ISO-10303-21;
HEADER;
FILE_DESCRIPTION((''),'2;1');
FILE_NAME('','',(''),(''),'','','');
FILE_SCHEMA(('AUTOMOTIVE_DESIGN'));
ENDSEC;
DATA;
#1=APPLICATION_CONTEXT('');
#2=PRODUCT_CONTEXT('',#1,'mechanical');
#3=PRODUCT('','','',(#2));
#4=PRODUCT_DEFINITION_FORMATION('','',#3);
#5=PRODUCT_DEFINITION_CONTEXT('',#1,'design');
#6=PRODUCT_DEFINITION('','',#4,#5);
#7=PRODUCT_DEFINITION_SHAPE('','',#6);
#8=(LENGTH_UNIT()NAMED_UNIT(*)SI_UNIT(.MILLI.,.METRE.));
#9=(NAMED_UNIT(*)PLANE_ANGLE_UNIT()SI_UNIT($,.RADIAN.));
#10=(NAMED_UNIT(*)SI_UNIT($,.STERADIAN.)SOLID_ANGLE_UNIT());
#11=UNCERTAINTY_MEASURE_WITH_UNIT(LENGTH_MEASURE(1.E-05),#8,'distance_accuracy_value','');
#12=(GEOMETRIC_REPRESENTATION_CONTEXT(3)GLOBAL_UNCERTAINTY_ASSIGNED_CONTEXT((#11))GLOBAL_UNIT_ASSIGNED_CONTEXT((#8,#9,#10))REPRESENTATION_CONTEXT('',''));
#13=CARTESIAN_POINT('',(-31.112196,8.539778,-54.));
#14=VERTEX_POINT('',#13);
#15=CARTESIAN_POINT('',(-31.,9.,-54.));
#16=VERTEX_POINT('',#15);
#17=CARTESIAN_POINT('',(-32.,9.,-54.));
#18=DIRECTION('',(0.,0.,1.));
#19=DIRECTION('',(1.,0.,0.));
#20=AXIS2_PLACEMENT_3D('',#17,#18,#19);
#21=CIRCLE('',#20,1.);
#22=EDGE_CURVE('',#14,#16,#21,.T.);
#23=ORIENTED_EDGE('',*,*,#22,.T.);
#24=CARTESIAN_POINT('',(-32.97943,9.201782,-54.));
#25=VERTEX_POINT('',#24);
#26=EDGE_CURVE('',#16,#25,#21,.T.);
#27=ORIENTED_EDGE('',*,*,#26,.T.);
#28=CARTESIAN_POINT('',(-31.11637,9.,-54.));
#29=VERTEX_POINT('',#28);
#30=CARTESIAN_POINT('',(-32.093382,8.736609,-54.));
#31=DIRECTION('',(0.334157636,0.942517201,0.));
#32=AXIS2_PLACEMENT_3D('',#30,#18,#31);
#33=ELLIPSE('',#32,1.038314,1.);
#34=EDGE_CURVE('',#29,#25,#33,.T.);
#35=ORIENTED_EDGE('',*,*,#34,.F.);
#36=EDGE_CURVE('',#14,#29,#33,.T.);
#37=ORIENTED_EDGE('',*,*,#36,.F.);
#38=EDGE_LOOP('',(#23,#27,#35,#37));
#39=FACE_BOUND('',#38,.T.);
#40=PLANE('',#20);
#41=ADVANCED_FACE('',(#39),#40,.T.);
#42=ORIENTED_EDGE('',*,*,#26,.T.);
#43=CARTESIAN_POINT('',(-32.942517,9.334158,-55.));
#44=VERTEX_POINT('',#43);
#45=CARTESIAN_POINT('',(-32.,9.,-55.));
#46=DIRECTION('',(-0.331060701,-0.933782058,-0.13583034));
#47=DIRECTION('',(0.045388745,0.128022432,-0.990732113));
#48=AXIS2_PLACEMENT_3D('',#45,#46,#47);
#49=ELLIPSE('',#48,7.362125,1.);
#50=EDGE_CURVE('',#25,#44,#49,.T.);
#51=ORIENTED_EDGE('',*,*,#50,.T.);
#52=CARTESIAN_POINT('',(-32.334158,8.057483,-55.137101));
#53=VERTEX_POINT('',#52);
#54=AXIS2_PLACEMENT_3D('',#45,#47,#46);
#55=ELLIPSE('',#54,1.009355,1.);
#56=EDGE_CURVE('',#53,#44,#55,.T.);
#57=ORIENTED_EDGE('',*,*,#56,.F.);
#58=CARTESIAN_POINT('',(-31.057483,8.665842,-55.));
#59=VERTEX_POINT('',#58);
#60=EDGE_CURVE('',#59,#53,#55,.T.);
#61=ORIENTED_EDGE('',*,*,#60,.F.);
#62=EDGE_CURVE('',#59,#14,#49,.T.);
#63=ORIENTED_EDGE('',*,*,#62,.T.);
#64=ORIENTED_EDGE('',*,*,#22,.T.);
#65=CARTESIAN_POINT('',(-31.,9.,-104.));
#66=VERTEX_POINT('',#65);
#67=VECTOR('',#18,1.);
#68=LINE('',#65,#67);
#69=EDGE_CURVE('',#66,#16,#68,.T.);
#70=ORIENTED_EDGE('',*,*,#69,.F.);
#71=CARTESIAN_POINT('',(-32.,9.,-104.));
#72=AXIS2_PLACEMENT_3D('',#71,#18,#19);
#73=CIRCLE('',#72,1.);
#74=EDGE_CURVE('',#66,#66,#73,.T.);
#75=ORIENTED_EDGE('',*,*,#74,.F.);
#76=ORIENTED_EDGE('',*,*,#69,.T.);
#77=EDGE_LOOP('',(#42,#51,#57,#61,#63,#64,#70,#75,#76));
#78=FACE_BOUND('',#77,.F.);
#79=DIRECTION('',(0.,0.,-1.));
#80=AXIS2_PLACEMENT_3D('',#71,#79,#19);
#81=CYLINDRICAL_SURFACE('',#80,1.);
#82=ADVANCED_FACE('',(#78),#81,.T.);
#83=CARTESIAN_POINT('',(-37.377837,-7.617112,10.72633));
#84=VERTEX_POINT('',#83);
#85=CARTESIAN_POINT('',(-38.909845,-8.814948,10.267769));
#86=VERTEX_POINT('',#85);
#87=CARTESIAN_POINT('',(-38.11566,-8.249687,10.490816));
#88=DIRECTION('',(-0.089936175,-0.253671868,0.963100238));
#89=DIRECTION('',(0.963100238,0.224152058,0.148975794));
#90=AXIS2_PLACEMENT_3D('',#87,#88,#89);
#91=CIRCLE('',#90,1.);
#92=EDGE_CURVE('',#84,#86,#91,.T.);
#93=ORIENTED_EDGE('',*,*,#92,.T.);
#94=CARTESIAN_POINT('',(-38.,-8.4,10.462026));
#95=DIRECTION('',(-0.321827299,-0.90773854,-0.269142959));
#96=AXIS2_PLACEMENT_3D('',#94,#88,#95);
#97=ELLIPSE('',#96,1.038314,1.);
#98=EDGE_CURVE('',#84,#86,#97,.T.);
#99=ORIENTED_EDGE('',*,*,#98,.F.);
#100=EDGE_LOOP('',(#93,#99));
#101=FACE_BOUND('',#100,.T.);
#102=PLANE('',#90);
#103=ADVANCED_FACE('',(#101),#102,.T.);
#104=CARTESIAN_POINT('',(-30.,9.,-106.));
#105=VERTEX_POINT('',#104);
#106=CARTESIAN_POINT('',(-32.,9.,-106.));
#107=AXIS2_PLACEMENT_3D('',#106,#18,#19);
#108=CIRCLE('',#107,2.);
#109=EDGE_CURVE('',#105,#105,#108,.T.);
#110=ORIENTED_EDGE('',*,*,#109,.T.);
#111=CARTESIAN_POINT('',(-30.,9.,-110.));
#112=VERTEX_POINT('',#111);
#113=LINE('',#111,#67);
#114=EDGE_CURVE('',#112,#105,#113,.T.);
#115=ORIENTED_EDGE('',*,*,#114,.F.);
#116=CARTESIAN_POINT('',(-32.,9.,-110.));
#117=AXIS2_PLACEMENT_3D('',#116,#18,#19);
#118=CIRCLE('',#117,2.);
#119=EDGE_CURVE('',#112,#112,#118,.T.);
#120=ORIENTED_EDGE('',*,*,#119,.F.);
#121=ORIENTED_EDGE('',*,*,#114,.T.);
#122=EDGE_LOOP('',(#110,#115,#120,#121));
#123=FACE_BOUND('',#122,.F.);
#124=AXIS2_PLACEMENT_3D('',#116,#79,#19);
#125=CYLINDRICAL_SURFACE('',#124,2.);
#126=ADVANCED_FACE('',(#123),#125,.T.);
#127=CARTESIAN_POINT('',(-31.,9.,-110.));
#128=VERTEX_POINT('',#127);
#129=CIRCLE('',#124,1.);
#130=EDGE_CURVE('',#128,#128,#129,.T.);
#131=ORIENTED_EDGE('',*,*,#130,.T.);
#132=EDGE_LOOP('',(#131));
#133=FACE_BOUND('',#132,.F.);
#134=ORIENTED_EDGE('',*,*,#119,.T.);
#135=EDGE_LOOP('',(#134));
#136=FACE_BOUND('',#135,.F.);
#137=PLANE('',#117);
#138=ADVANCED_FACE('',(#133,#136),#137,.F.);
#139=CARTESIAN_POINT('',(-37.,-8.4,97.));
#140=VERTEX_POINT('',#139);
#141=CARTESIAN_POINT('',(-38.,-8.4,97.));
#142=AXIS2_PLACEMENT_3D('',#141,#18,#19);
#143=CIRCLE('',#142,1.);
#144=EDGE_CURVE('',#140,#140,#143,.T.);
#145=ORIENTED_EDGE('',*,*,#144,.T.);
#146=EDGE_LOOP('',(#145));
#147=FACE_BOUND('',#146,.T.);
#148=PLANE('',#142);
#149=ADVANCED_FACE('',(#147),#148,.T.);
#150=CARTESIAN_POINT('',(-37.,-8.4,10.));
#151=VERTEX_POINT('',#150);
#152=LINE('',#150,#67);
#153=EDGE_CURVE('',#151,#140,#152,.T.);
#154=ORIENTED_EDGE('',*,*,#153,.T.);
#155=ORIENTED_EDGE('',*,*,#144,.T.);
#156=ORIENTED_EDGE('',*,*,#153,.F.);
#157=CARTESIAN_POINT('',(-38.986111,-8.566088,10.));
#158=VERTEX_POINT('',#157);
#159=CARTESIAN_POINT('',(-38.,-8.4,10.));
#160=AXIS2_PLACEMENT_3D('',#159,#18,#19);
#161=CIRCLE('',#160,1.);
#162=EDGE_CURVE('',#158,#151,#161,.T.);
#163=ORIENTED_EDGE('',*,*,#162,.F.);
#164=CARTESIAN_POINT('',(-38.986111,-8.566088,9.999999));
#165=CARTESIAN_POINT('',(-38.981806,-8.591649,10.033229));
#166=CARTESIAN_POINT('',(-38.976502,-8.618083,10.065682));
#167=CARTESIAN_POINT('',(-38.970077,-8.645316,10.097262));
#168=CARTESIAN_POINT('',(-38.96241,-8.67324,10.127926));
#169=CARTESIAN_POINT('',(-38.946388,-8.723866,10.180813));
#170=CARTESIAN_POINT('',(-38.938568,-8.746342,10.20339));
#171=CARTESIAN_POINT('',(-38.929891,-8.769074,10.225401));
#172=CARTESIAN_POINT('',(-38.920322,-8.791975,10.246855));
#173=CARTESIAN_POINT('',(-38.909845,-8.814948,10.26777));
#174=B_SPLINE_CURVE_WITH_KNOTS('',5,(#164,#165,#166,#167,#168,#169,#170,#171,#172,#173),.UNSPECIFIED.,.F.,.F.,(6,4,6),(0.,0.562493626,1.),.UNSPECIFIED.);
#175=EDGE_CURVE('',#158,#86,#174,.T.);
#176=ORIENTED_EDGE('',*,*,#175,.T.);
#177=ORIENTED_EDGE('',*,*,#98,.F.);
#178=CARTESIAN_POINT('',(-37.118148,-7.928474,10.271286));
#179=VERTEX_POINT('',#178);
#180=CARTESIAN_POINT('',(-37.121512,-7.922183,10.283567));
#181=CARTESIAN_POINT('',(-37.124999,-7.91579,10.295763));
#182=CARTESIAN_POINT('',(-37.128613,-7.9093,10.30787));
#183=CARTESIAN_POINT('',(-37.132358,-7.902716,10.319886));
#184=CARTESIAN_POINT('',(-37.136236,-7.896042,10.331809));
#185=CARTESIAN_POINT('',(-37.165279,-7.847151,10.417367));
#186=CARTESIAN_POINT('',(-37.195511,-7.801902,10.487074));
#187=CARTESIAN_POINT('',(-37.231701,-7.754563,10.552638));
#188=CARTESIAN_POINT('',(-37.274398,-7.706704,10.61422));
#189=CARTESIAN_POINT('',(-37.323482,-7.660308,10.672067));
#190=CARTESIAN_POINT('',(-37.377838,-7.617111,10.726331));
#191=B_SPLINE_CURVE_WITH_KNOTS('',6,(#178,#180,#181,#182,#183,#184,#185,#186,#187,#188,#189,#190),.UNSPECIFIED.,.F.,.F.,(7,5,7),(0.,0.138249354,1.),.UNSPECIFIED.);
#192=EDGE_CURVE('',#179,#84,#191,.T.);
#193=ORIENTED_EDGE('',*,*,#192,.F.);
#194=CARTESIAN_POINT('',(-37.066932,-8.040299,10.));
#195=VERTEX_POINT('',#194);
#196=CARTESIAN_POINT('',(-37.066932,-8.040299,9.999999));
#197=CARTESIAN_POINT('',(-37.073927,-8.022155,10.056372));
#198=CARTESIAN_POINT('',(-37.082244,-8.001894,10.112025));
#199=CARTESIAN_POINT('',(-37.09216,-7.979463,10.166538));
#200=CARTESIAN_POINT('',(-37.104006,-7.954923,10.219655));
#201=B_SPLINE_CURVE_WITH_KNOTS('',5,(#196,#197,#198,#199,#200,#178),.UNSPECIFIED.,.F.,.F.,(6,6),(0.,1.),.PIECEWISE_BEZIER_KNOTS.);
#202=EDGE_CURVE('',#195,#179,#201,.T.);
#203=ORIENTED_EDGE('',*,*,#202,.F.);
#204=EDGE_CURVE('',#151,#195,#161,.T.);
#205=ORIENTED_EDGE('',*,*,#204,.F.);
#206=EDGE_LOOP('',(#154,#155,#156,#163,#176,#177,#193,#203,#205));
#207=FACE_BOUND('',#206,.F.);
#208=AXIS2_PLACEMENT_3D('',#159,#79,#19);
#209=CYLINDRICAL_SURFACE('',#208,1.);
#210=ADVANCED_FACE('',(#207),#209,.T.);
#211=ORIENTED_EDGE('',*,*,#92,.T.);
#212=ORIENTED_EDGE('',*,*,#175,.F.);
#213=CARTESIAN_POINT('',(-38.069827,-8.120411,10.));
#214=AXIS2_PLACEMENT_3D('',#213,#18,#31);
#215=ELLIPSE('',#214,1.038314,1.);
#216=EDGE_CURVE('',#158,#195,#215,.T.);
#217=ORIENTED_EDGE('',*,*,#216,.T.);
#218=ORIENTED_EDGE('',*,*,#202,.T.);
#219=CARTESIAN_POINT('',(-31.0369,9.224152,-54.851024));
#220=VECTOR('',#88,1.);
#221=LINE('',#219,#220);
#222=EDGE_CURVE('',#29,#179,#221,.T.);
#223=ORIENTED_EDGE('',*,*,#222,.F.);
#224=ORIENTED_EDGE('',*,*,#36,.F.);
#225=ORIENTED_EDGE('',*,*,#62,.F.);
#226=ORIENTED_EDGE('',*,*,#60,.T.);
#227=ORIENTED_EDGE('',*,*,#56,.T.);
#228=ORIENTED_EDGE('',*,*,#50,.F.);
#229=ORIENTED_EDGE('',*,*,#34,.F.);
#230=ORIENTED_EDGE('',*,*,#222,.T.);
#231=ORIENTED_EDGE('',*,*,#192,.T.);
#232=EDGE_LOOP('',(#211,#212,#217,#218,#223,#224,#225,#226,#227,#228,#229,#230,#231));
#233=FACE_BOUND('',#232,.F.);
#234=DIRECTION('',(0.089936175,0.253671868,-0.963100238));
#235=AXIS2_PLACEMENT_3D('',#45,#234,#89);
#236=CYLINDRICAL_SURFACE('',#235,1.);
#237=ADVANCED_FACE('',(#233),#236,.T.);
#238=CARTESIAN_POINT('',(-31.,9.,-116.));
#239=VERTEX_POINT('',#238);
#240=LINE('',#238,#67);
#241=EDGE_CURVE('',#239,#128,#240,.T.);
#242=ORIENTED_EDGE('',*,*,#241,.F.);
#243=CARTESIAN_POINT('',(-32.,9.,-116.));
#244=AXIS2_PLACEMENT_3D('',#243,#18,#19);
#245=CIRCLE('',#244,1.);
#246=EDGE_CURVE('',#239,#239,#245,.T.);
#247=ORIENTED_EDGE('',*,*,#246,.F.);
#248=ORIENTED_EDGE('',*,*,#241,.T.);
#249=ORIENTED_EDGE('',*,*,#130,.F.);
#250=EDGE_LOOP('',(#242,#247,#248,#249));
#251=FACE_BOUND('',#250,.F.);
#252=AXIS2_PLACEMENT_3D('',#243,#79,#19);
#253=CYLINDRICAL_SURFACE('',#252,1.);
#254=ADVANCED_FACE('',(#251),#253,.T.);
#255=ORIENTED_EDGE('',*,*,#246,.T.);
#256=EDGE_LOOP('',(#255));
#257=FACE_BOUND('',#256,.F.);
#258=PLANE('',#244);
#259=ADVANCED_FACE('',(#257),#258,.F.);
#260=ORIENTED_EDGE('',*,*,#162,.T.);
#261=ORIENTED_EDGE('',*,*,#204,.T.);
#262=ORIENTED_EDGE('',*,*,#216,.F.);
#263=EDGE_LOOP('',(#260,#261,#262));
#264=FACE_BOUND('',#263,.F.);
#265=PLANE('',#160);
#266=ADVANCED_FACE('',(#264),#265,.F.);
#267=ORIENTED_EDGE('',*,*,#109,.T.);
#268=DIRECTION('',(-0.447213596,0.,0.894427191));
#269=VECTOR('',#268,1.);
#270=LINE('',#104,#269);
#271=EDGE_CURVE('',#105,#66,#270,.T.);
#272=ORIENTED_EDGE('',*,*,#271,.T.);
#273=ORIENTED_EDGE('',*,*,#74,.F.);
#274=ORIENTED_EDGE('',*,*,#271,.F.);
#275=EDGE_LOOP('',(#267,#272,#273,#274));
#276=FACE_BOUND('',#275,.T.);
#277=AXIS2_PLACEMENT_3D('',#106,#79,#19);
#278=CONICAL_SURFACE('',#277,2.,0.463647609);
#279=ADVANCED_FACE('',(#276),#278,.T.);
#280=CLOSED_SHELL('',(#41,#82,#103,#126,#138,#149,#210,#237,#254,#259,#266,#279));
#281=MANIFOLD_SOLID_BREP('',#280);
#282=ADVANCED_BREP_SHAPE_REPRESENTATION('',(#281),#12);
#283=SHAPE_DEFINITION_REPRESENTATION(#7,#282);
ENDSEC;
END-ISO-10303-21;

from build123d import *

# Parameters (mm, degrees)
CYLINDER068_R               = 1
CYLINDER068_DEPTH           = 68
CYLINDER068_ROLL_ANGLE      = 13.101784
CYLINDER068_PITCH_ANGLE     = -8.567577
CYLINDER068_PLACEMENT_ANGLE = 13.101784
CYLINDER054_R               = 1
CYLINDER054_DEPTH           = 50
CYLINDER065_R               = 1
CYLINDER065_DEPTH           = 87
CYLINDER052_R               = 2
CYLINDER052_DEPTH           = 4
CYLINDER053_R               = 1
CYLINDER053_DEPTH           = 8


with BuildPart() as cylindre064:
    # Cylinder068 → Cylinder068 (new body)
    with BuildSketch(Plane.XY):
        Circle(CYLINDER068_R)
    extrude(amount=CYLINDER068_DEPTH)


with BuildPart() as cylindre064_1:
    # Cylinder068 roll: moved
    add(cylindre064.part.rotate(Axis((0, 0, 0), (1, 0, 0)), CYLINDER068_ROLL_ANGLE))


with BuildPart() as cylindre064_2:
    # Cylinder068 pitch: moved
    add(cylindre064_1.part.rotate(Axis((0, 0, 0), (0, 1, 0)), CYLINDER068_PITCH_ANGLE))


with BuildPart() as cylindre064_3:
    # Cylinder068 placement: moved
    add(cylindre064_2.part.moved(Location((-32, 9, -55))).rotate(Axis((-32, 9, -55), (0, 0, 1)), CYLINDER068_PLACEMENT_ANGLE))


with BuildPart() as fusion031:
    # Cylinder054 → Cylinder054 (new body)
    with BuildSketch(Plane(origin=(-32, 9, -104), x_dir=(1, 0, 0), z_dir=(0, 0, 1))):
        Circle(CYLINDER054_R)
    extrude(amount=CYLINDER054_DEPTH)

    # Fusion031: union Cylindre064
    add(cylindre064_3.part)


with BuildPart() as fusion032:
    # Cylinder065 → Cylinder065 (new body)
    with BuildSketch(Plane(origin=(-38, -8.4, 10), x_dir=(1, 0, 0), z_dir=(0, 0, 1))):
        Circle(CYLINDER065_R)
    extrude(amount=CYLINDER065_DEPTH)

    # Fusion032: union Fusion031
    add(fusion031.part)


with BuildPart() as c_ne001:
    # Cone001 → Cone001 (revolve)
    with BuildSketch(Plane(origin=(-32, 9, -106), x_dir=(1, 0, 0), z_dir=(0, -1, 0))):
        Polygon((0, 0), (2, 0), (1, 2), (0, 2), align=None)
    revolve(axis=Axis((-32, 9, -106), (0, 0, 1)))


with BuildPart() as fusion033:
    # Cylinder052 → Cylinder052 (new body)
    with BuildSketch(Plane(origin=(-32, 9, -110), x_dir=(1, 0, 0), z_dir=(0, 0, 1))):
        Circle(CYLINDER052_R)
    extrude(amount=CYLINDER052_DEPTH)

    # Fusion026: union Cône001
    add(c_ne001.part)

    # Fusion033: union Fusion032
    add(fusion032.part)


with BuildPart() as fusion034:
    # Cylinder053 → Cylinder053 (new body)
    with BuildSketch(Plane(origin=(-32, 9, -116), x_dir=(1, 0, 0), z_dir=(0, 0, 1))):
        Circle(CYLINDER053_R)
    extrude(amount=CYLINDER053_DEPTH)

    # Fusion034: union Fusion033
    add(fusion033.part)


solid = fusion034.part
